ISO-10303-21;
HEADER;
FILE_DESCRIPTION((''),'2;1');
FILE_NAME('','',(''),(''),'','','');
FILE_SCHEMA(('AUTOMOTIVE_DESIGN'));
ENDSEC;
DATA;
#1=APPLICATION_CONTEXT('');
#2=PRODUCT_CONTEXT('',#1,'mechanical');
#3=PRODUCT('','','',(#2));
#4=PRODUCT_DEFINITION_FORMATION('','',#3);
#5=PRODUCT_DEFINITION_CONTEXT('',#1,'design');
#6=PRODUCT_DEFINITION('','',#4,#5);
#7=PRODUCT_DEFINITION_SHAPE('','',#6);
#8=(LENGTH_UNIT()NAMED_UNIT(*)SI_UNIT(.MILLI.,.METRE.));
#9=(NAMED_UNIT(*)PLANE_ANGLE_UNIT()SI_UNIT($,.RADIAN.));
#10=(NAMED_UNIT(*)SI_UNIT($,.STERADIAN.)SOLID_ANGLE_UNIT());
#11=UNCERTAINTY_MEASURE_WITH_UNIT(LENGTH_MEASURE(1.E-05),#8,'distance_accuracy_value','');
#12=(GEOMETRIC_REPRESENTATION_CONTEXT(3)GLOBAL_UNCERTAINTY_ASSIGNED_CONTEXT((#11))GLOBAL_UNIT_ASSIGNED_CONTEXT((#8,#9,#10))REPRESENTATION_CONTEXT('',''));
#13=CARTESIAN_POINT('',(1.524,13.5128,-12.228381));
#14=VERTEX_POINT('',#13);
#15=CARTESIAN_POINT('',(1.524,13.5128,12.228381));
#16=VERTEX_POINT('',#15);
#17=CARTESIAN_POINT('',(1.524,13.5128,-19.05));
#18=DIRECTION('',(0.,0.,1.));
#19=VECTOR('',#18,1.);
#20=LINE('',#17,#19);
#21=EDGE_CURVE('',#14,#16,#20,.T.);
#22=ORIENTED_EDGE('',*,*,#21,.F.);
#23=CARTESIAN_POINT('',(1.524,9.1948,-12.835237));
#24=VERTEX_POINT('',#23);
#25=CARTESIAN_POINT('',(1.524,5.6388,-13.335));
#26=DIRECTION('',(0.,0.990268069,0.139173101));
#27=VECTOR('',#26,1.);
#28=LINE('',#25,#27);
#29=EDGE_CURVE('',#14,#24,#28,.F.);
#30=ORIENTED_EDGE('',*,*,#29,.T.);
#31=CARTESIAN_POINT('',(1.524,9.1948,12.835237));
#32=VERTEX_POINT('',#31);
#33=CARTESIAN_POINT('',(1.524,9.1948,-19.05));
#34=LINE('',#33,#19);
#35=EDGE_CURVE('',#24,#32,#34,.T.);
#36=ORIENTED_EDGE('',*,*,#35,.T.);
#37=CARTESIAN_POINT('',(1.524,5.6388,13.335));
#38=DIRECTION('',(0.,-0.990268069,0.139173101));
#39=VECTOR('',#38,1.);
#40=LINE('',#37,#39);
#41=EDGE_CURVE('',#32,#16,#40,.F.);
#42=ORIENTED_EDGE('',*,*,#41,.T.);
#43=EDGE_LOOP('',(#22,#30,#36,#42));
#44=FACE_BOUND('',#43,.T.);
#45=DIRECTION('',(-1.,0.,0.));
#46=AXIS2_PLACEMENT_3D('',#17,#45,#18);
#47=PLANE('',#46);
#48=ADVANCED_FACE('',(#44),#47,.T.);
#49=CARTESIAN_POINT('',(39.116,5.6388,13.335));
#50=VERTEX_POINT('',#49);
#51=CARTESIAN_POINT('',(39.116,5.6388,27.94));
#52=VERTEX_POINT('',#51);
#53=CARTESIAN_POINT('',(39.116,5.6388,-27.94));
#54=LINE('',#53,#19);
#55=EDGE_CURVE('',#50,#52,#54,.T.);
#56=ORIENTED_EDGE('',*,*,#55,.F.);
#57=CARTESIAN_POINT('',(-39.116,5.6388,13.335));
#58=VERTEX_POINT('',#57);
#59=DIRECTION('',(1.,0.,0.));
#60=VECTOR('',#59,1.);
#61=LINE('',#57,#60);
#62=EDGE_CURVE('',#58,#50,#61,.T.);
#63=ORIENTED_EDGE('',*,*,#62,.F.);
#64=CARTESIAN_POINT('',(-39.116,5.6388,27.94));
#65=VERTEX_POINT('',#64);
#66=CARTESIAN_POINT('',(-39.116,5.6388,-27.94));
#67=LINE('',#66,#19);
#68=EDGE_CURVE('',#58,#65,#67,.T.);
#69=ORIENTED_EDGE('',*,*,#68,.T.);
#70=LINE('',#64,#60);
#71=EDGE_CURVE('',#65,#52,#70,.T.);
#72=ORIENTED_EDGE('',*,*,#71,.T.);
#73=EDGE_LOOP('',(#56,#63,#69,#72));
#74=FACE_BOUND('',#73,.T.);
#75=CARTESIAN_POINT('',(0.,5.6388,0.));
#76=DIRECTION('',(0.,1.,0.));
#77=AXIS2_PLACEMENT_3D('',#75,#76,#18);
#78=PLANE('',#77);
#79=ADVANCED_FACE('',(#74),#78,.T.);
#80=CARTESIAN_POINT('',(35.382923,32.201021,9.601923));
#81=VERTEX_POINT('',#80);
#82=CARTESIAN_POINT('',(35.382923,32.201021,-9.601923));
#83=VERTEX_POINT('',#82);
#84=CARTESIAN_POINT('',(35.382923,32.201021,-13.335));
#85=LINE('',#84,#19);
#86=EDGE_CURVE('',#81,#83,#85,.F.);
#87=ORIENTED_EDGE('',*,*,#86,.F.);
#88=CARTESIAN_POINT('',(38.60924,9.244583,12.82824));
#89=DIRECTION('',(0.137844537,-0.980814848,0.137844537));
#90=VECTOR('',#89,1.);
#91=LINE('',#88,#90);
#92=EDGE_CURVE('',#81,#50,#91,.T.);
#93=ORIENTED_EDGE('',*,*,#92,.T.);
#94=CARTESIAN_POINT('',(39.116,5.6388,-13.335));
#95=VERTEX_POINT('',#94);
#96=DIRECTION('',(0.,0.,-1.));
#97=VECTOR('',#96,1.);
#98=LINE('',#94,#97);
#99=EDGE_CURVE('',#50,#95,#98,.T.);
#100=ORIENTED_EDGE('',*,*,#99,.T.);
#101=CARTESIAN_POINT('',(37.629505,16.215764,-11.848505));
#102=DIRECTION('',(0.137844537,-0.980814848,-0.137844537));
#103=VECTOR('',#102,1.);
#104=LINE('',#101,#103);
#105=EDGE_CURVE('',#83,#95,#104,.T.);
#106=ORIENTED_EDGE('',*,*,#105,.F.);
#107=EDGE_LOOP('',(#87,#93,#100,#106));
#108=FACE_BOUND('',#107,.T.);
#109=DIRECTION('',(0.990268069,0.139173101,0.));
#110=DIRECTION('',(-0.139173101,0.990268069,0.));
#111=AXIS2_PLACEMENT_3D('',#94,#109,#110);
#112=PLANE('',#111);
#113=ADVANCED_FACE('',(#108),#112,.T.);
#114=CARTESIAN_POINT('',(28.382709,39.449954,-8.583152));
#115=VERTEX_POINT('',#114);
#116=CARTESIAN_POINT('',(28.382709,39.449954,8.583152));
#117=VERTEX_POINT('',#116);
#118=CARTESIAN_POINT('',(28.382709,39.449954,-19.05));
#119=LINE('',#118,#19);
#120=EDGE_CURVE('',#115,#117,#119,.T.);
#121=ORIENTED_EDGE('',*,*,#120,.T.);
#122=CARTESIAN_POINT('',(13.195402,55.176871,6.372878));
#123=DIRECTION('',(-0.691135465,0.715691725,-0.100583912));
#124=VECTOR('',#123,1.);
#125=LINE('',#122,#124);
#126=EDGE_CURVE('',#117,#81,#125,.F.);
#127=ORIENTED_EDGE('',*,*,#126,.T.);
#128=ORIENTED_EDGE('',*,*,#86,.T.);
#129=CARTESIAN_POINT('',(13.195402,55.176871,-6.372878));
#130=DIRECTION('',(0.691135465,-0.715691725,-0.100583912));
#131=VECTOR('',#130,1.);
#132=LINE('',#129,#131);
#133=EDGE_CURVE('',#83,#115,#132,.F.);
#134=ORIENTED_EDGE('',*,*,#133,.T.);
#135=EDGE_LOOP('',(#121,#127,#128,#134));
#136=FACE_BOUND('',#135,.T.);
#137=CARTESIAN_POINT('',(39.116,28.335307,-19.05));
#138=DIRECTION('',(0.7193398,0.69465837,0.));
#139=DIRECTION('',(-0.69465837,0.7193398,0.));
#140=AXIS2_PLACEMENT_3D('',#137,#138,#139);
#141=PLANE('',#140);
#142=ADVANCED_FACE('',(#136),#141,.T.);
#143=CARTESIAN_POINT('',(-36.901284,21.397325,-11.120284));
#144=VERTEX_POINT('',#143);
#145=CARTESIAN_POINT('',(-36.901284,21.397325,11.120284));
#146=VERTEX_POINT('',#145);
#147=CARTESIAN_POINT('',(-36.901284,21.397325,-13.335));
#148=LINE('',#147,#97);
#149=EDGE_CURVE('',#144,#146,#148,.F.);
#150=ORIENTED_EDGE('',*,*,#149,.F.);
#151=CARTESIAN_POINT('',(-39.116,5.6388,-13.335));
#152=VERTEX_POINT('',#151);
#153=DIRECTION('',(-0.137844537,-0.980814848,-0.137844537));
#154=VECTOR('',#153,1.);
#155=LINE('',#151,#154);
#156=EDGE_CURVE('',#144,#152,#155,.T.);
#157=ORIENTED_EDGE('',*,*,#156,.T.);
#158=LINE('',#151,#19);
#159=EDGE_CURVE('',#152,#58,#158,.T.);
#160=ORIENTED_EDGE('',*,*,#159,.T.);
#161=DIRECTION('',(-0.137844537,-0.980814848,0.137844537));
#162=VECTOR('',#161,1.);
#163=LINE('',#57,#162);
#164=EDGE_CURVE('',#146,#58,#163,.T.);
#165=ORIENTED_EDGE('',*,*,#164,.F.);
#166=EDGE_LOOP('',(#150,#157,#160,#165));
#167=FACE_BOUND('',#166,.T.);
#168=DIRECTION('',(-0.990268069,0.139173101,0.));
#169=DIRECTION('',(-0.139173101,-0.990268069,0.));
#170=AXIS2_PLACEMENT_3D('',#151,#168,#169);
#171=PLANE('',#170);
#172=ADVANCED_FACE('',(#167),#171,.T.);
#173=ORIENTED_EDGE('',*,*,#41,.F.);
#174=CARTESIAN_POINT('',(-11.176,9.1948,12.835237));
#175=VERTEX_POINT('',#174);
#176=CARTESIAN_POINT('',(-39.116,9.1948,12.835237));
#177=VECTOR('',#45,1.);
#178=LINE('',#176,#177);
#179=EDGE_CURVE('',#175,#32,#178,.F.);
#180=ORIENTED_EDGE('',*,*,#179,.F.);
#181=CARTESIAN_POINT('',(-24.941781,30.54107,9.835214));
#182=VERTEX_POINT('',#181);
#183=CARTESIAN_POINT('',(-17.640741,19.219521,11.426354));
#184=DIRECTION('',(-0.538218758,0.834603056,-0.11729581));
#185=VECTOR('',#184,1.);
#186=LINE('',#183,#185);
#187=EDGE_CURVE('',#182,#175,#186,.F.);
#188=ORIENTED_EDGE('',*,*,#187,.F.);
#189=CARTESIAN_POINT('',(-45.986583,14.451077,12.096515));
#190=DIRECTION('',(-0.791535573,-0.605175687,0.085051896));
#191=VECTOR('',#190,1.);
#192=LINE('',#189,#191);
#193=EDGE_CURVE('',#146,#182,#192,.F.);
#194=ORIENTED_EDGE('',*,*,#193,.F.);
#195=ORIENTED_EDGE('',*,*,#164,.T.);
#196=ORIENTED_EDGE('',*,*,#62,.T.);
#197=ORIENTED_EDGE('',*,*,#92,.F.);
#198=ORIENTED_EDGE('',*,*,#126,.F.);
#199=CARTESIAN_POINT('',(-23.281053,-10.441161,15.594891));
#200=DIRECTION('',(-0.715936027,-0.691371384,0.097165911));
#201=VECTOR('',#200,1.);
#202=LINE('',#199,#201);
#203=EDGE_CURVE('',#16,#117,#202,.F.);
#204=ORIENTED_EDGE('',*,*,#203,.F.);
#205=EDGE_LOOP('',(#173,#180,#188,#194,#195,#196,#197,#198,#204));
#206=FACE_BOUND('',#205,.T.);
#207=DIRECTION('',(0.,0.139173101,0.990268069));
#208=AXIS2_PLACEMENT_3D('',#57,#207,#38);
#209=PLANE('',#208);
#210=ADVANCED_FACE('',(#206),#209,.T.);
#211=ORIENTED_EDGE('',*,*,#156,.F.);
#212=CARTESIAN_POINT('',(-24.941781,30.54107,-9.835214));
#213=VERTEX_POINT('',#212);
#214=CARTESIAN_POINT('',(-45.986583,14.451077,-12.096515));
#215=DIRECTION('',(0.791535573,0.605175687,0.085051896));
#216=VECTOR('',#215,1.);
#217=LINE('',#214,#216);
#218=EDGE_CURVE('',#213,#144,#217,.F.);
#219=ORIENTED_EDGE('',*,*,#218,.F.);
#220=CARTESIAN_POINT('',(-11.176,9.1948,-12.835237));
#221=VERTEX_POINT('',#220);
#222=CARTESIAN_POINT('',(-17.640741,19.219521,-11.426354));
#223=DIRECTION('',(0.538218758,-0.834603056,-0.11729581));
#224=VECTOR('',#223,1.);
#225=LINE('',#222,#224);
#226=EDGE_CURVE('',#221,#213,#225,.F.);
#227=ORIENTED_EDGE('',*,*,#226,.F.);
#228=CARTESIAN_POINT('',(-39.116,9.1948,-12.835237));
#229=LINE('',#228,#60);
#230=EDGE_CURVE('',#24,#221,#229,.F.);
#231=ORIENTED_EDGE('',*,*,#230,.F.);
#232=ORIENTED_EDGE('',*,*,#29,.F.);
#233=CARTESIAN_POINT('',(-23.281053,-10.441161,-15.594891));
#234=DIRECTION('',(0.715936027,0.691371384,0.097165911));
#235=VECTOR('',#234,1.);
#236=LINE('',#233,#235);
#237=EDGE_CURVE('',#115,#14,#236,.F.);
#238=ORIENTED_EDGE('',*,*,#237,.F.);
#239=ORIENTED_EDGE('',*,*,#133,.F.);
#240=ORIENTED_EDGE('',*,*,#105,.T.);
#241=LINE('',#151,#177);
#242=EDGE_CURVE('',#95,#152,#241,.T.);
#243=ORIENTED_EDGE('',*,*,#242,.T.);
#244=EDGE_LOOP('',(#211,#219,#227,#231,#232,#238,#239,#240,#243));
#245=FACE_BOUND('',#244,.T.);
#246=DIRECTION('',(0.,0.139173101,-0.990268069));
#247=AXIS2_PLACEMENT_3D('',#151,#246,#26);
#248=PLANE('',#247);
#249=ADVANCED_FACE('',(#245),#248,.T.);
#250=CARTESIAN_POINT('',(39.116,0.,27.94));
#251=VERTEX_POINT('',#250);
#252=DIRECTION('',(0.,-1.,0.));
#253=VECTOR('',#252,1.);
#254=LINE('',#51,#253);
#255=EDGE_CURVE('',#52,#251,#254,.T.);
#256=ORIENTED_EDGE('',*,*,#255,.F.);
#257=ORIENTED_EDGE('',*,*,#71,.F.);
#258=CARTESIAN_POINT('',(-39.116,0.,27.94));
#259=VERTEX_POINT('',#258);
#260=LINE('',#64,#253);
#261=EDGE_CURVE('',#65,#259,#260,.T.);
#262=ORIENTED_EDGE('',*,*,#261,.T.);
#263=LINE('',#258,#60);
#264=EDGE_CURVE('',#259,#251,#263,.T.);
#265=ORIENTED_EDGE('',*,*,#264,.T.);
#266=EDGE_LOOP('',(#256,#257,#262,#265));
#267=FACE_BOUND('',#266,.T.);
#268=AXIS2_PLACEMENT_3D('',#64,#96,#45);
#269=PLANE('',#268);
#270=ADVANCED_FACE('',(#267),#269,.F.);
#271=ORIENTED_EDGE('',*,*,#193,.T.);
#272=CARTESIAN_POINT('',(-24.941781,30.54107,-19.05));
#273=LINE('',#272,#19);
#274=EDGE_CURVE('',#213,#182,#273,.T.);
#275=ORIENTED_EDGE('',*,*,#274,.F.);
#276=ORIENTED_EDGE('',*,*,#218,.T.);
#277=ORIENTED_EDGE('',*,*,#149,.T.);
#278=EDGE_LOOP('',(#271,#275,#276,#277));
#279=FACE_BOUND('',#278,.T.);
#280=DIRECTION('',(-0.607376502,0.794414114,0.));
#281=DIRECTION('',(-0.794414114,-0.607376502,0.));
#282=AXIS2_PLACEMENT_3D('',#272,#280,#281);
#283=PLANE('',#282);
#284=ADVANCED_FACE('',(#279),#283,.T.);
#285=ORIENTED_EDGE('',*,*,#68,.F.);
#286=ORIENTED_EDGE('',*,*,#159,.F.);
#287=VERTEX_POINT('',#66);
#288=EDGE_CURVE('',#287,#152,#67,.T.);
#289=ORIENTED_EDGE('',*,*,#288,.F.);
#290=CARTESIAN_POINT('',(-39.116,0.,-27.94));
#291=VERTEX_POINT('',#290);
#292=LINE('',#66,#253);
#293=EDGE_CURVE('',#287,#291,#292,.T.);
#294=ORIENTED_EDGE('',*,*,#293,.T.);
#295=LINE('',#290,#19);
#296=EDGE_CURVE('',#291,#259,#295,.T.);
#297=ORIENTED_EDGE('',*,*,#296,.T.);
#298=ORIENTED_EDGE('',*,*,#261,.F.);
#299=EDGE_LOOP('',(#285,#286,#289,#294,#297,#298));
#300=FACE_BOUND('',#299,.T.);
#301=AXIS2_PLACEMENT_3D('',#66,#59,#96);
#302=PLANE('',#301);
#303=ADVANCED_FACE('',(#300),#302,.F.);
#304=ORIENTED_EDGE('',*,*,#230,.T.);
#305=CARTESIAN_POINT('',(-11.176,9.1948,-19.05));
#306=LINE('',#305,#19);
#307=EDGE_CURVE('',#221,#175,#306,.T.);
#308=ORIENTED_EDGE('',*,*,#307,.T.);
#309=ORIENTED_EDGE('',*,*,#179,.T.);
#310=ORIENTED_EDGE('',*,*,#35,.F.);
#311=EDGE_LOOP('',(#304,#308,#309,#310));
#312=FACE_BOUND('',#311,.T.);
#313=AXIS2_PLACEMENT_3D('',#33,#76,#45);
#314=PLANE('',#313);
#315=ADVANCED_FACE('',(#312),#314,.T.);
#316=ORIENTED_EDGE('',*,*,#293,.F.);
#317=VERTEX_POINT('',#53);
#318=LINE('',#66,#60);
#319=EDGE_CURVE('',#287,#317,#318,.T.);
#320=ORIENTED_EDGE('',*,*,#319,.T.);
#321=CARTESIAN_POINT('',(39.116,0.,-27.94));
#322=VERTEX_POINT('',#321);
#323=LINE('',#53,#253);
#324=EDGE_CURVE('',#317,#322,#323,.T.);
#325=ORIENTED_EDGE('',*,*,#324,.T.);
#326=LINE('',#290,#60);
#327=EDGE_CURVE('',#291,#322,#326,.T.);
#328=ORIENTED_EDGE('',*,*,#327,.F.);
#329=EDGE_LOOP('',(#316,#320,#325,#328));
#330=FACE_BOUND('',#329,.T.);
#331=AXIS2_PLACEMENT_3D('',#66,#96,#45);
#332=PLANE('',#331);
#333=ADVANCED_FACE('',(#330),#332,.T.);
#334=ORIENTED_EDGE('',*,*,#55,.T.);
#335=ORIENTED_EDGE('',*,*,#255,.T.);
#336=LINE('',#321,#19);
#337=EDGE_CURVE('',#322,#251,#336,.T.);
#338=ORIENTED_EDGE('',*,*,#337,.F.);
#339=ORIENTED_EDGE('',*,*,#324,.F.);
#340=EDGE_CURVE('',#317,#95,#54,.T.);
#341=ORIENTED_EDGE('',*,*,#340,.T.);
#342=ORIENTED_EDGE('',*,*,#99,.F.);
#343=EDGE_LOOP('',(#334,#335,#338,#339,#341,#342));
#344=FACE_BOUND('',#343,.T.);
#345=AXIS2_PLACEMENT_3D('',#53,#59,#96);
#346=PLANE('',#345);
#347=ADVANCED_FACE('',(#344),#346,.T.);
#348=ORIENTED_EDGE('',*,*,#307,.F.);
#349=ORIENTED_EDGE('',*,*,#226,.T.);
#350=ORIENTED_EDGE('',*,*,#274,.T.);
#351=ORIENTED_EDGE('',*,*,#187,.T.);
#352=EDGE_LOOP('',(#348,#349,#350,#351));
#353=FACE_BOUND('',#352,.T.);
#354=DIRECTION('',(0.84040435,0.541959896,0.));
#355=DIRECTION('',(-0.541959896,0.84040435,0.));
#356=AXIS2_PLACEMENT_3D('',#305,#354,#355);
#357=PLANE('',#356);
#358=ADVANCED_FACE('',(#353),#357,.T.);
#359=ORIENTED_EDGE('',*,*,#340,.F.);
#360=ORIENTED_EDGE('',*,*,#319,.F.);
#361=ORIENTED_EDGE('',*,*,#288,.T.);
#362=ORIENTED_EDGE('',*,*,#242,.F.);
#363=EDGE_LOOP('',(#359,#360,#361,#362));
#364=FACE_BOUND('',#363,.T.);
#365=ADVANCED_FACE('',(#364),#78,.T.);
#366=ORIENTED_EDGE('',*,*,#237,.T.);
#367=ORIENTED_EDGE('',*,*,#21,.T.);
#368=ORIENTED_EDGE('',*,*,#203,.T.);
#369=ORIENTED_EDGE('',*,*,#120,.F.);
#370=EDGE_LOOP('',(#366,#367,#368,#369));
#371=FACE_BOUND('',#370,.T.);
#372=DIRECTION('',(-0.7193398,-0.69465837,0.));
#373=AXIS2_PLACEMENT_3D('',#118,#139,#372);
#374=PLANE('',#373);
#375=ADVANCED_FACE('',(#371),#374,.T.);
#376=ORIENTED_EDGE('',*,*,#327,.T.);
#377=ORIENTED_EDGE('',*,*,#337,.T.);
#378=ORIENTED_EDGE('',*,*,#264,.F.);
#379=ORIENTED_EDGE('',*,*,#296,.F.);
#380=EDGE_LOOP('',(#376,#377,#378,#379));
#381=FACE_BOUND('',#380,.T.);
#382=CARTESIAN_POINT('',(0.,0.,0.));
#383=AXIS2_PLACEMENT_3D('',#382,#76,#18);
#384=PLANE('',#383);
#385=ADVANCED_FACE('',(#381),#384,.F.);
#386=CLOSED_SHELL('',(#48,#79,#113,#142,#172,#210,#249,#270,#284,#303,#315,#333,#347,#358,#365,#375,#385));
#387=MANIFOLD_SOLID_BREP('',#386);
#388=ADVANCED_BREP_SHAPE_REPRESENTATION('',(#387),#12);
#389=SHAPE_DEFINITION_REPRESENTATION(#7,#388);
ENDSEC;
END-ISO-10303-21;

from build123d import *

# Parameters (mm, degrees)
SKETCH1_W           = 78.232
SKETCH1_H           = 55.88
BOSS_EXTRUDE1_DEPTH = 5.6388
SKETCH2_W           = 78.232
SKETCH2_H           = 26.67
BOSS_EXTRUDE2_DEPTH = 38.1
BOSS_EXTRUDE2_TAPER = 8
CUT_EXTRUDE1_DEPTH  = 19.05


with BuildPart() as part:
    # Sketch1 → Boss-Extrude1 (new body)
    with BuildSketch(Plane(origin=(0, 0, 0), x_dir=(1, 0, 0), z_dir=(0, 1, 0))):
        Rectangle(SKETCH1_W, SKETCH1_H)
    extrude(amount=BOSS_EXTRUDE1_DEPTH)

    # Sketch2 → Boss-Extrude2 (add)
    with BuildSketch(Plane(origin=(0, 5.6388, 0), x_dir=(1, 0, 0), z_dir=(0, 1, 0))):
        Rectangle(SKETCH2_W, SKETCH2_H)
    extrude(amount=BOSS_EXTRUDE2_DEPTH, taper=BOSS_EXTRUDE2_TAPER)

    # 3DSketch1 → Cut-Extrude1 (cut, symmetric)
    with BuildSketch(Plane(origin=(39.116, 28.335306521, -1e-09), x_dir=(-0.9811621581078611, 0.1931859712741186, 2.0390368677299597e-12), z_dir=(2.078300433678865e-12, 0, 1.0))):
        Polygon((0, 0), (12.678292519, -8.831750582), (34.020347529, 21.805529518), (33.186170505, 26.042187717), (45.646929913, 28.495649552), (63.27719365, 10.210852573), (75.090838988, 23.581993737), (79.734016802, 0), (2.975738849, -15.113324905), align=None)
    extrude(amount=CUT_EXTRUDE1_DEPTH, both=True, mode=Mode.SUBTRACT)


solid = part.part
